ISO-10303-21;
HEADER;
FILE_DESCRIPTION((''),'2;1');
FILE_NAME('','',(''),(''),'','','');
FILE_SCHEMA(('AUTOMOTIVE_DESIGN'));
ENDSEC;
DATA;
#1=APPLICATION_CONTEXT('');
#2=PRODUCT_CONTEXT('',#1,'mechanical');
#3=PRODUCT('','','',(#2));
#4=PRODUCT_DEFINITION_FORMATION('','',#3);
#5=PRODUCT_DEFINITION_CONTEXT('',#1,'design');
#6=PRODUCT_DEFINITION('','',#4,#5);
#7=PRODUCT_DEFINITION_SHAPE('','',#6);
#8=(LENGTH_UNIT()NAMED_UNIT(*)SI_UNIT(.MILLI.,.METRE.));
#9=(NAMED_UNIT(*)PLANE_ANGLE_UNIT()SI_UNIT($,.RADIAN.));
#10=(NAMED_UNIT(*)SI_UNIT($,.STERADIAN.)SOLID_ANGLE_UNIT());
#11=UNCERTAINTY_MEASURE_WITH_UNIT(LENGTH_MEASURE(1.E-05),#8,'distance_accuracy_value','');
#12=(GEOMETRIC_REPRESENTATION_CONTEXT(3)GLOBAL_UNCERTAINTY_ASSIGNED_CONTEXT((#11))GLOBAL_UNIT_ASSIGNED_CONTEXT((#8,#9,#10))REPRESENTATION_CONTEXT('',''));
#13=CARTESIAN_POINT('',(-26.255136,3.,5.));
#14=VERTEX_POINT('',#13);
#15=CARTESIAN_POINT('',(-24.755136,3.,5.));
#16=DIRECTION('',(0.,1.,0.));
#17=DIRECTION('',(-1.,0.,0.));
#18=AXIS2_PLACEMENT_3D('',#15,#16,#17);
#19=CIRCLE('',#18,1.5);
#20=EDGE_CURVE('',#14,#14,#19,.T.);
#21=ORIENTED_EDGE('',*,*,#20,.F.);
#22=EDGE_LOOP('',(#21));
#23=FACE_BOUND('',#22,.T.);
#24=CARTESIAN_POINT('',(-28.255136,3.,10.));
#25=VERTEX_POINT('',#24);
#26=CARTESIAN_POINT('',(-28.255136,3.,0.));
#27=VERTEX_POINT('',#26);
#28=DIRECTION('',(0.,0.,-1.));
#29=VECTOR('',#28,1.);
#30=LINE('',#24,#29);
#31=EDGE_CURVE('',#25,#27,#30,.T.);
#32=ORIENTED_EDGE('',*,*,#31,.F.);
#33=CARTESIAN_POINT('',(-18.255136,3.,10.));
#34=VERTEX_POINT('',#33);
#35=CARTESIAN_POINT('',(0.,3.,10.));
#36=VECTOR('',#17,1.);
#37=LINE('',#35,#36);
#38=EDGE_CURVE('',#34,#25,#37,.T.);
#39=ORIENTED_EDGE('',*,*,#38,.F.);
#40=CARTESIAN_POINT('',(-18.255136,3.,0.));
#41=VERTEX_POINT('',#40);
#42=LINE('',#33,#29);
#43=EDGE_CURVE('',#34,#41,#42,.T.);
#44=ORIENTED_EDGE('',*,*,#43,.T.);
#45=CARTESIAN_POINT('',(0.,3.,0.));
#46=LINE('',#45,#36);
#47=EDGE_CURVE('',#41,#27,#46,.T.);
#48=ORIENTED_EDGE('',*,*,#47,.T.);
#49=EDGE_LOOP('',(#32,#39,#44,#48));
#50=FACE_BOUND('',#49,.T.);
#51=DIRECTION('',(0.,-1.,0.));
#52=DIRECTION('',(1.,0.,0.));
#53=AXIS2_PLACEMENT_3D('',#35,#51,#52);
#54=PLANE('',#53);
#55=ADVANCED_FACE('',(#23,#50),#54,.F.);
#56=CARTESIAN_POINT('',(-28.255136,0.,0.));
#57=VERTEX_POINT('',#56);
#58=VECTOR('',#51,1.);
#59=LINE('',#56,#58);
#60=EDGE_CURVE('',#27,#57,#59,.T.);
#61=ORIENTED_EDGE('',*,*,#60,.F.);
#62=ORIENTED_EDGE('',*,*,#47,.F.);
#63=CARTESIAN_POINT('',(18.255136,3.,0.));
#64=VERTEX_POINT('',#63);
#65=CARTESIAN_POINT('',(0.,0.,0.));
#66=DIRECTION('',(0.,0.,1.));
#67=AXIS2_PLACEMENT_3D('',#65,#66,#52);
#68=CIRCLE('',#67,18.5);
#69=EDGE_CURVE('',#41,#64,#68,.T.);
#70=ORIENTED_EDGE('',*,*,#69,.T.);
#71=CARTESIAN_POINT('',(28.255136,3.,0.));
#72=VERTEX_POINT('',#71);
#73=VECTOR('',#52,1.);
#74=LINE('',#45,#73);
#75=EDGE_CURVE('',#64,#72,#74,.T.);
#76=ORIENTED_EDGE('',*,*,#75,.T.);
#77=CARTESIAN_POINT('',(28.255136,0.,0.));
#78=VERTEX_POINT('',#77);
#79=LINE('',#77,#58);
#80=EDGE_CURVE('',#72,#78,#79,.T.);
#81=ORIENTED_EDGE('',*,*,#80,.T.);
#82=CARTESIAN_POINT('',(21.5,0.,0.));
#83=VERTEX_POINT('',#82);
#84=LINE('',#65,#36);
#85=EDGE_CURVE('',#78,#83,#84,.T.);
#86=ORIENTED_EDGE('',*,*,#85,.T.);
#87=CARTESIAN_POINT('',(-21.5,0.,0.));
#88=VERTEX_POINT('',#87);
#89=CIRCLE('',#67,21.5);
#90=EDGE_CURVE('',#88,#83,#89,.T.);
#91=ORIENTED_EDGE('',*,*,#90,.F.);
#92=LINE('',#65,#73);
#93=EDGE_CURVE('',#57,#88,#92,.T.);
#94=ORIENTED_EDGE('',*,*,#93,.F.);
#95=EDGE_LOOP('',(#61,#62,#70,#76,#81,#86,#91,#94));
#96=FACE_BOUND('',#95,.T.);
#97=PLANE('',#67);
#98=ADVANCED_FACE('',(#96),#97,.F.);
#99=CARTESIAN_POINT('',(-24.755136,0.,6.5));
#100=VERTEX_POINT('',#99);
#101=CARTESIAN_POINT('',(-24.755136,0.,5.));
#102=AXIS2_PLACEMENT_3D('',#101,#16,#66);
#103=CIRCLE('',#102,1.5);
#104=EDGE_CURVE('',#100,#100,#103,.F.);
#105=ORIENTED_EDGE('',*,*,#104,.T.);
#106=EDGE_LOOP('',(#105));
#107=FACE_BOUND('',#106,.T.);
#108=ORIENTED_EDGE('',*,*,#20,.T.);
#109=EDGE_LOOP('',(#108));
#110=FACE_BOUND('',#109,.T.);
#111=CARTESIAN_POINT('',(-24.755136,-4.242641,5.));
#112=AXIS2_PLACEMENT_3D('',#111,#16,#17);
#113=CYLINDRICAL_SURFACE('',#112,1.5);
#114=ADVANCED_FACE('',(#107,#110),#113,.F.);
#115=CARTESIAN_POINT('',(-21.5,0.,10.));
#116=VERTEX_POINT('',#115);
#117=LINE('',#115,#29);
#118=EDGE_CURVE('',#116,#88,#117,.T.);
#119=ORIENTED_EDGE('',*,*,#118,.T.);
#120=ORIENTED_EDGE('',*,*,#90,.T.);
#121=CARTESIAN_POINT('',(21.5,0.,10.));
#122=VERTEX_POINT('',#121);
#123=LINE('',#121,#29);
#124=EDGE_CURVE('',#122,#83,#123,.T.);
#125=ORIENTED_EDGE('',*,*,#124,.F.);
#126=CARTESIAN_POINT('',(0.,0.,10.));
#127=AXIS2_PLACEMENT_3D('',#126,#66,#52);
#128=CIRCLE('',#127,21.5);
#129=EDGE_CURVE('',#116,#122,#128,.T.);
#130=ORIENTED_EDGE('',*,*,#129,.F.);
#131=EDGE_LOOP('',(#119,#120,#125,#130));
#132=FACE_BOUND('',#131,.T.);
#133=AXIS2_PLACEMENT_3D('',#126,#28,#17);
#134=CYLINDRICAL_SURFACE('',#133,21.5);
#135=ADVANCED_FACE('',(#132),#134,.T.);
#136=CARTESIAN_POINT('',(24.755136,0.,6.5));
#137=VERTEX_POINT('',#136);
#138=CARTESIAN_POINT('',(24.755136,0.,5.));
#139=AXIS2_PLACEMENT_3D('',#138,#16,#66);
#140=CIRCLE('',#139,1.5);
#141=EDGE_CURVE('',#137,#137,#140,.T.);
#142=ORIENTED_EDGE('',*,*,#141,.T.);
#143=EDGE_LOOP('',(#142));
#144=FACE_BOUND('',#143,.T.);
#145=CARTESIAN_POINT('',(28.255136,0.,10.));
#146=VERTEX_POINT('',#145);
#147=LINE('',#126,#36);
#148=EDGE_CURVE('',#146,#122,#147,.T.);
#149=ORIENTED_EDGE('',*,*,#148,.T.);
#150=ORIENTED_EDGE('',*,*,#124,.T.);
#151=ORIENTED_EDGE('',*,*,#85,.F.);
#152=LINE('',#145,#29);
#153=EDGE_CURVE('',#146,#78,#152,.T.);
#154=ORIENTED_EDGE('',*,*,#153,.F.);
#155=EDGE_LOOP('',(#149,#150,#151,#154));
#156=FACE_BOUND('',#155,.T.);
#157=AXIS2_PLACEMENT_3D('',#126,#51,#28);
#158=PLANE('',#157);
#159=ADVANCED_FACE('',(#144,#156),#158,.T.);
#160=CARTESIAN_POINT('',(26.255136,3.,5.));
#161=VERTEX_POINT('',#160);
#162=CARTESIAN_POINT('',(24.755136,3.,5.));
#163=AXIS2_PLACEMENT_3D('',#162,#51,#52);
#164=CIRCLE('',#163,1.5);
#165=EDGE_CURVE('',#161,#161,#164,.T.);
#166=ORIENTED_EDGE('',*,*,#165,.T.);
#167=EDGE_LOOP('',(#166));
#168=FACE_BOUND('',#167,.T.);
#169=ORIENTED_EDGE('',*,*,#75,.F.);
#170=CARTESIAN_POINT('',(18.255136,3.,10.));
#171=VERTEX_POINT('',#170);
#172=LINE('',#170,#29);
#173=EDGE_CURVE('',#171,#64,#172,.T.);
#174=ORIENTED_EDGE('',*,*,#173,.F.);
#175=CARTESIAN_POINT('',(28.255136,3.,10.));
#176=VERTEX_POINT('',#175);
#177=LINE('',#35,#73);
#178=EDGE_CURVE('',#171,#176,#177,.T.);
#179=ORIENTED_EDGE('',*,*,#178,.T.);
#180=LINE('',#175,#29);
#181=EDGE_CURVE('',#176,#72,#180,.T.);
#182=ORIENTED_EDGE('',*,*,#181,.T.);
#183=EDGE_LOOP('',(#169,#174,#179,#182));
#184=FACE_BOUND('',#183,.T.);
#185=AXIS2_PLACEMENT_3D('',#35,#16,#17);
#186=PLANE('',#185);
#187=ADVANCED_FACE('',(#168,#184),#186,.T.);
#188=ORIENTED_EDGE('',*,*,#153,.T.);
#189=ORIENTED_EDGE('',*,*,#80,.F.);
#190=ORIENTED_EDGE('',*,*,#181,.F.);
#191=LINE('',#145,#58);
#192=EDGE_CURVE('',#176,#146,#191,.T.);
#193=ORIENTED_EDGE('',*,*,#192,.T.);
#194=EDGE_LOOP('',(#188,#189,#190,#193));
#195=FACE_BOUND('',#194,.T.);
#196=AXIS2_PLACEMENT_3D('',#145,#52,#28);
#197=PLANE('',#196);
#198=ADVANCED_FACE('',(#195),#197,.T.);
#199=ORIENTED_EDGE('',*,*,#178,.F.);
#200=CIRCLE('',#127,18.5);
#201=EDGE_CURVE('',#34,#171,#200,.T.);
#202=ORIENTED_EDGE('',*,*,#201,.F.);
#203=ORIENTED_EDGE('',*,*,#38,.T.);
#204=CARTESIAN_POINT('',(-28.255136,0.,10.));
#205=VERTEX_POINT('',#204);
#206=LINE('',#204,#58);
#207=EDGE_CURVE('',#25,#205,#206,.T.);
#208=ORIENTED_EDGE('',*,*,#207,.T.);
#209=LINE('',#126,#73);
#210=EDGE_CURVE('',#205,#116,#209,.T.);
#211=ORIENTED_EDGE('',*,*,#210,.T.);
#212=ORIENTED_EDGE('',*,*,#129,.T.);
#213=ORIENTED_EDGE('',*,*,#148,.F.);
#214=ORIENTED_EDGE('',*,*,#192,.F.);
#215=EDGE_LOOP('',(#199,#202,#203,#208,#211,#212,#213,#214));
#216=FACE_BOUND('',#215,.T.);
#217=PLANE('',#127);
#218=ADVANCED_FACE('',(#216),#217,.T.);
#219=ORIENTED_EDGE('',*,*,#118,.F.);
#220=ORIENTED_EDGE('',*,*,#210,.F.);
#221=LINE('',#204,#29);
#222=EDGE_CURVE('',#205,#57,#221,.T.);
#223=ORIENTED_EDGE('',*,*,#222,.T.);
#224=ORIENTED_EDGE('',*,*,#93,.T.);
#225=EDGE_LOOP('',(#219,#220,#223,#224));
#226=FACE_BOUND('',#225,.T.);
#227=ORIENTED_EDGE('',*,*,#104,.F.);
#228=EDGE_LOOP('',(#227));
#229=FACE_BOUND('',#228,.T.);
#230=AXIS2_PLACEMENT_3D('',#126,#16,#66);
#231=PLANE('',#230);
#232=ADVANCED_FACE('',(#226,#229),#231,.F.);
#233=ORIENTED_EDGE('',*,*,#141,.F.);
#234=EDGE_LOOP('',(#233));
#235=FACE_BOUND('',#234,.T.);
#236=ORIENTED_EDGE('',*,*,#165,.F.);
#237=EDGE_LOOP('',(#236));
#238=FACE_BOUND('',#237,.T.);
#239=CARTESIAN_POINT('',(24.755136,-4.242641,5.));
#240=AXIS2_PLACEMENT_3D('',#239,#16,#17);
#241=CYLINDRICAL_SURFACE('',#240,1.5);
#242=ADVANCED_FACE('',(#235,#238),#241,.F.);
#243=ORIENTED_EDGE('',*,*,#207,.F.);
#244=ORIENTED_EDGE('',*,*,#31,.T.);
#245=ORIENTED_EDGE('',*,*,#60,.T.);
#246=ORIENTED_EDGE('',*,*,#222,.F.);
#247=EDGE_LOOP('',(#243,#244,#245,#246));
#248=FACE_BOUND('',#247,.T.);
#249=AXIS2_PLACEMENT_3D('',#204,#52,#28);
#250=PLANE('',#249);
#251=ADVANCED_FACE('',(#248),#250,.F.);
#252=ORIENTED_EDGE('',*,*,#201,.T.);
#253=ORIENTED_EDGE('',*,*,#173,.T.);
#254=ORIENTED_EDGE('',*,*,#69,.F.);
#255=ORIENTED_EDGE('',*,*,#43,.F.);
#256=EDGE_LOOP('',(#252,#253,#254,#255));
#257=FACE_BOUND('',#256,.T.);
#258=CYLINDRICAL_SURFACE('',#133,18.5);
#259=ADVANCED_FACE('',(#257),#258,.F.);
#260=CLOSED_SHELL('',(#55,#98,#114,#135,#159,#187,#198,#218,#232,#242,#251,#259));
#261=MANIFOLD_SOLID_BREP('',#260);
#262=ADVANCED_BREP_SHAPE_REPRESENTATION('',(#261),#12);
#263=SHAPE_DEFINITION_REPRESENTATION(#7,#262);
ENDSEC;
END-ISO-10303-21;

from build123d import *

# Parameters (mm, degrees)
BOSS_EXTRUDE1_DEPTH = 10
CUT_EXTRUDE1_DEPTH  = 3


with BuildPart() as part:
    # Sketch1 → Boss-Extrude1 (new body)
    with BuildSketch(Plane.XY):
        with BuildLine():
            ThreePointArc((18.5, 0), (-1.504988227, -18.438682449), (-18.255136264, 3))
            Line((-18.255136264, 3), (-28.255136264, 3))
            Line((-28.255136264, 3), (-28.255136264, 0))
            Line((-28.255136264, 0), (-21.5, 0))
            ThreePointArc((-21.5, 0), (0, -21.5), (21.5, 0))
            Line((21.5, 0), (28.255136264, 0))
            Line((28.255136264, 0), (28.255136264, 3))
            Line((28.255136264, 3), (18.255136264, 3))
            ThreePointArc((18.255136264, 3), (18.438682449, 1.504988227), (18.5, 0))
        make_face()
    extrude(amount=BOSS_EXTRUDE1_DEPTH)

    # Sketch2 → Cut-Extrude1 (cut)
    with BuildSketch(Plane(origin=(0, 3, 0), x_dir=(1, 0, 0), z_dir=(0, 1, 0))):
        with BuildLine():
            ThreePointArc((-23.255136264, -5), (-24.755136264, -3.5), (-26.255136264, -5))
            Line((-26.255136264, -5), (-23.255136264, -5))
        make_face()
        with BuildLine():
            Line((-23.255136264, -5), (-26.255136264, -5))
            ThreePointArc((-26.255136264, -5), (-24.755136264, -6.5), (-23.255136264, -5))
        make_face()
    cut_extrude1 = extrude(amount=-CUT_EXTRUDE1_DEPTH, mode=Mode.SUBTRACT)

    # Mirror1: Cut-Extrude1 across plane
    add(cut_extrude1.mirror(Plane(origin=(0, 0, 0), x_dir=(0, 0, 1), z_dir=(1, 0, 0))), mode=Mode.SUBTRACT)


solid = part.part
